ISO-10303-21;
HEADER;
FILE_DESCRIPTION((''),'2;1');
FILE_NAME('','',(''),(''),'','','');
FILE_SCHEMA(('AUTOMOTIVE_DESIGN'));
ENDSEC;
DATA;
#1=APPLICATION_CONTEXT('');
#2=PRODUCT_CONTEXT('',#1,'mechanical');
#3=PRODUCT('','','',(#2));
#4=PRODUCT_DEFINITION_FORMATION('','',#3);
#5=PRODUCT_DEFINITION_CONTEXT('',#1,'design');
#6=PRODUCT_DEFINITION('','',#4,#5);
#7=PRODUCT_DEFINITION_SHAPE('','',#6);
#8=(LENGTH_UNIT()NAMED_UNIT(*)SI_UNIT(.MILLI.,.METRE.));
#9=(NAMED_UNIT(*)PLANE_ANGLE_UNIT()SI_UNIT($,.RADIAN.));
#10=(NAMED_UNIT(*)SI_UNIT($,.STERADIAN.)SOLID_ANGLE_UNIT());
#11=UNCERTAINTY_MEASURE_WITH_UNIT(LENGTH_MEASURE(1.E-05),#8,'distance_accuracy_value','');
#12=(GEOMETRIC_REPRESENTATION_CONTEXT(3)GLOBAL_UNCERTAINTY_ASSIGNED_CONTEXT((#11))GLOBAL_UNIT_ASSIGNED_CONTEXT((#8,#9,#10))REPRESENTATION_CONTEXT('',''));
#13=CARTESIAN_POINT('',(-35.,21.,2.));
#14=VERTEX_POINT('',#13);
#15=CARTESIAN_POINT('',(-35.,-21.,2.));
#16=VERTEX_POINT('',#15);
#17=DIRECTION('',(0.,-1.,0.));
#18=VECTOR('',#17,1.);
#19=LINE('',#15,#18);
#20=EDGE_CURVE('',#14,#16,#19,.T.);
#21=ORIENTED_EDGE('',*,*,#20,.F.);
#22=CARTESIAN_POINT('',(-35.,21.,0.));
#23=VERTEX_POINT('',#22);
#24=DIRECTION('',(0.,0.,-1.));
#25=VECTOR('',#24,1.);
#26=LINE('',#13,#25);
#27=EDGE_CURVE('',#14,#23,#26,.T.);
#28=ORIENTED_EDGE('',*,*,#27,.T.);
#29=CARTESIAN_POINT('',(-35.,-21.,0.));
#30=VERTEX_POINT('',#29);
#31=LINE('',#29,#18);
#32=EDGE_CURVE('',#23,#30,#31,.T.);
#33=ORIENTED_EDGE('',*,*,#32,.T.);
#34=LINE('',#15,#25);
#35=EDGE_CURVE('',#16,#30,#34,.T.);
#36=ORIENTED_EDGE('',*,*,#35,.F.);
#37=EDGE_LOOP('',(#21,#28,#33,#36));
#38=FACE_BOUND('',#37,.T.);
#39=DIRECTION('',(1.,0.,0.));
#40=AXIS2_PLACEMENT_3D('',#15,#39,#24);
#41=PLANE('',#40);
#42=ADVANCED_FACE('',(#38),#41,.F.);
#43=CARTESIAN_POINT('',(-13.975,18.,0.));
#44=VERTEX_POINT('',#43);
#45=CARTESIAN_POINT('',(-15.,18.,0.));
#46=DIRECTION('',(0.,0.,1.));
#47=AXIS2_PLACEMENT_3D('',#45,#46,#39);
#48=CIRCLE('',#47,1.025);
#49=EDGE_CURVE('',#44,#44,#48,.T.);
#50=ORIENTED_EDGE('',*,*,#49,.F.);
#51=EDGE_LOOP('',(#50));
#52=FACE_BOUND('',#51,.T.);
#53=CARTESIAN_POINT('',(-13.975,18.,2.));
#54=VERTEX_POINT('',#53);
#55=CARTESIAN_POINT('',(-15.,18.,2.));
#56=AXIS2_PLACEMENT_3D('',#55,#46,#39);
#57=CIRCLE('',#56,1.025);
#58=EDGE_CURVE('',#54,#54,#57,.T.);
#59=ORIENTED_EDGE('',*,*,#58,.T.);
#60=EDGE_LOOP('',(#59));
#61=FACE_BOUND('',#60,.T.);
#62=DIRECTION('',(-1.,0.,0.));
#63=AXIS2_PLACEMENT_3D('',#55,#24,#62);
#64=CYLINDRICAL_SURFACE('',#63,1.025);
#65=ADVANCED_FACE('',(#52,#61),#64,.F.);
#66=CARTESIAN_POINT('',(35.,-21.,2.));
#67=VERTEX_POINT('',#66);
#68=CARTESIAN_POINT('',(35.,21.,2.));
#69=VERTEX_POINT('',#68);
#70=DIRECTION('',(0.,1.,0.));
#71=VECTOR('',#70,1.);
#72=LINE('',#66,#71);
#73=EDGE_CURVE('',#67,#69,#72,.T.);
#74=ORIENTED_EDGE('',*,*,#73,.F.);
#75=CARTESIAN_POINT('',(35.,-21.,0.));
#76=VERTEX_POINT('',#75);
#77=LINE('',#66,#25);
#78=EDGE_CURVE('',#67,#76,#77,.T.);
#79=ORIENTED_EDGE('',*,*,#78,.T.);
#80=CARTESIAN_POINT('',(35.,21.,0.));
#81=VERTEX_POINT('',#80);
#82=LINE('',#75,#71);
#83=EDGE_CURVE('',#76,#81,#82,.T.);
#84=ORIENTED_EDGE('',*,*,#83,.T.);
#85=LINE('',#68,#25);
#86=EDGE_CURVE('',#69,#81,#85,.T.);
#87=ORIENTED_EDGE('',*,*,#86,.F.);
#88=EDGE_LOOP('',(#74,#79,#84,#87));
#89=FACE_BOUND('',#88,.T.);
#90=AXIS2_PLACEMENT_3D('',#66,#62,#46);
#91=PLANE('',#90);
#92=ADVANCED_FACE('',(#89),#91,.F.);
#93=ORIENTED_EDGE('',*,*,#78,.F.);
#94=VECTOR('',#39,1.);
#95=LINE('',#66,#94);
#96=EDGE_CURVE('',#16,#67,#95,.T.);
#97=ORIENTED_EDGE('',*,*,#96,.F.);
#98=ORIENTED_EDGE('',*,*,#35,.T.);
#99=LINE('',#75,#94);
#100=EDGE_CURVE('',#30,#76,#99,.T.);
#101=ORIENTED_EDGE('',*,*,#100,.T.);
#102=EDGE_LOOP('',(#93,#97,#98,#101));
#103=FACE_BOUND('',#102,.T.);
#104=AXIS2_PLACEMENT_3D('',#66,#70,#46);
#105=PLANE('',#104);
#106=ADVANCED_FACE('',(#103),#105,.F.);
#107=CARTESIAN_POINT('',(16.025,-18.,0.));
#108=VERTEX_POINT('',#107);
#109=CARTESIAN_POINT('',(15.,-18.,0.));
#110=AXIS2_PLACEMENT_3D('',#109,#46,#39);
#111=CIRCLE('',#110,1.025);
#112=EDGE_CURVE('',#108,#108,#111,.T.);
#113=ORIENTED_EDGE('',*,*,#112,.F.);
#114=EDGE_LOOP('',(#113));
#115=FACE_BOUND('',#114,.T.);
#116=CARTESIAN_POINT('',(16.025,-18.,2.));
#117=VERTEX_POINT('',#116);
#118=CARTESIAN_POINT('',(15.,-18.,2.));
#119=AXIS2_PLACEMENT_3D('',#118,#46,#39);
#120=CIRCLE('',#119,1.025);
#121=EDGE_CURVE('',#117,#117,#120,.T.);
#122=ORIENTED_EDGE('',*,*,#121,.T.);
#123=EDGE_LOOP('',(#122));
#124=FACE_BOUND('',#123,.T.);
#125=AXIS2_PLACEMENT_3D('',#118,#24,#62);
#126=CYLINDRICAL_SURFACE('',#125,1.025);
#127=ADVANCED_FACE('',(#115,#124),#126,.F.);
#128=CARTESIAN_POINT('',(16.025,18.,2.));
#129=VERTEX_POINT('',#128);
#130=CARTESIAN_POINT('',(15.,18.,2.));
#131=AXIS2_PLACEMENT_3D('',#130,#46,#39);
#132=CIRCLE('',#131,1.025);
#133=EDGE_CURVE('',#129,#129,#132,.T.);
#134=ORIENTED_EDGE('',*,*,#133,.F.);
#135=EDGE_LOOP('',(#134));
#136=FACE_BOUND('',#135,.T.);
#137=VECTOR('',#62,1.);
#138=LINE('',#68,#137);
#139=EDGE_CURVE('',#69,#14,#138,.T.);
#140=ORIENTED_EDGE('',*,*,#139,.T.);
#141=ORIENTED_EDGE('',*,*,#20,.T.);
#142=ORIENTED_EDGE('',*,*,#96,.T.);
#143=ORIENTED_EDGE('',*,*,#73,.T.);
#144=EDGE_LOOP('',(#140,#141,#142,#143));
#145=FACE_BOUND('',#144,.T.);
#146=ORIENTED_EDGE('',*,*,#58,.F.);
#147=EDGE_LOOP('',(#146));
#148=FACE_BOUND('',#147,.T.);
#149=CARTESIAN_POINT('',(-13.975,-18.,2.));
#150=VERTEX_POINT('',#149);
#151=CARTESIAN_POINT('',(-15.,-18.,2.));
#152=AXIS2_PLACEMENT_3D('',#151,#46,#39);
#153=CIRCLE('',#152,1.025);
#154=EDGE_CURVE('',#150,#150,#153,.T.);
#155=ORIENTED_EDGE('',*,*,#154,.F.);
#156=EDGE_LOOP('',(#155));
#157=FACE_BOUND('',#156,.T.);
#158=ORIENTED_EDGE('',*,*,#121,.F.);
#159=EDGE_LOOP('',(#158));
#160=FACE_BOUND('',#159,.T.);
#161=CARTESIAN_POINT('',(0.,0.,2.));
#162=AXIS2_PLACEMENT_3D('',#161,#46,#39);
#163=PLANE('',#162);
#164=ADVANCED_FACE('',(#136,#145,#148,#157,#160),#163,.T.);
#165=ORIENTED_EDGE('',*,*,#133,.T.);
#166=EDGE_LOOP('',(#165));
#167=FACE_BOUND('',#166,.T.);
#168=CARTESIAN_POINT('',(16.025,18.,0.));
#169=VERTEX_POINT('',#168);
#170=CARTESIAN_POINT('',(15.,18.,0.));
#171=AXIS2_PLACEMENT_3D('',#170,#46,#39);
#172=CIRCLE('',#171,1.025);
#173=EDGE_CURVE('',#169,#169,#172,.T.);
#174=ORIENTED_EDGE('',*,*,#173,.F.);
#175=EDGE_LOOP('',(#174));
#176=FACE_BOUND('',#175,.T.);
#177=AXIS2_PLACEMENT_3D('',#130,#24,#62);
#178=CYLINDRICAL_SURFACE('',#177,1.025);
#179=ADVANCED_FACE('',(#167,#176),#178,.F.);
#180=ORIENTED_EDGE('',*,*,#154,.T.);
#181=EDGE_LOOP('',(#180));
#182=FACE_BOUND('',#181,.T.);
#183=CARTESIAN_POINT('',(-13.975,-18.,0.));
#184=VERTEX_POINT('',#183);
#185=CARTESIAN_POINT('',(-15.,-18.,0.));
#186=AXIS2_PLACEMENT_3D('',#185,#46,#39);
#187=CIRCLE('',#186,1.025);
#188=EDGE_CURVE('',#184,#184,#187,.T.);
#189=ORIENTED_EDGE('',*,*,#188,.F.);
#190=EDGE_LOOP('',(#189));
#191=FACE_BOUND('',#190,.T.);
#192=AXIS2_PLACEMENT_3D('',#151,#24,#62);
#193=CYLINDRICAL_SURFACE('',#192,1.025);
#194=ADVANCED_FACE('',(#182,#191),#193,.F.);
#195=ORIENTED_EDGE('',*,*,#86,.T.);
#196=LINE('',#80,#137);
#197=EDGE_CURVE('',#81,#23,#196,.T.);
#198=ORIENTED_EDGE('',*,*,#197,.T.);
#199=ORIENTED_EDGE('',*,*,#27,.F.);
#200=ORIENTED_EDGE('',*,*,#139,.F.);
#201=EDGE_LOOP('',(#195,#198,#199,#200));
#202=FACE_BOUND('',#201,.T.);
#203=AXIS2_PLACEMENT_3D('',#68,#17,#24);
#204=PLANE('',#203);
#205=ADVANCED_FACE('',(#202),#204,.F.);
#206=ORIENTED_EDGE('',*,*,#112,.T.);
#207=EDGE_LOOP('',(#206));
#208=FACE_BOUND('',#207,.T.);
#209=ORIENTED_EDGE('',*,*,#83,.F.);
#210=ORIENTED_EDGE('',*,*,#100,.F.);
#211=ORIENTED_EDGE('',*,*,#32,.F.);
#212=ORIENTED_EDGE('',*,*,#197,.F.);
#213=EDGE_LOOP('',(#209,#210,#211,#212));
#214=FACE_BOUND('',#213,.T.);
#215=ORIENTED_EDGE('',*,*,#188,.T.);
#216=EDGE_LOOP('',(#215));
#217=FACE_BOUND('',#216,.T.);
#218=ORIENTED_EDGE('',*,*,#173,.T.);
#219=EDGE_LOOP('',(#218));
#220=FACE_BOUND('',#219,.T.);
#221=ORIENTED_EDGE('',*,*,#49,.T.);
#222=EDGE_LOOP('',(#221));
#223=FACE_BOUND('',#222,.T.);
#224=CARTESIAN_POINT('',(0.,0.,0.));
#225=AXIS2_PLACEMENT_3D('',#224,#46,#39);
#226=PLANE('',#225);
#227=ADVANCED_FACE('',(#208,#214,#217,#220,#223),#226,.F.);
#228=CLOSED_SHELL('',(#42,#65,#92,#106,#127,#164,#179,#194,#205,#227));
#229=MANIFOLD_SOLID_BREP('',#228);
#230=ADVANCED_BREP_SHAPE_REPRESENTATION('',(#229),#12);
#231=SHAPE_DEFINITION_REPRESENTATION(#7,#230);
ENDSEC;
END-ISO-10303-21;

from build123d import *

# Parameters (mm, degrees)
SKETCH_1_W      = 70
SKETCH_1_H      = 42
SKETCH_1_R      = 1.025
EXTRUDE_1_DEPTH = 2


with BuildPart() as part:
    # 草图1 → 凸台-拉伸1 (new body)
    with BuildSketch(Plane.XY):
        Rectangle(SKETCH_1_W, SKETCH_1_H)
        with Locations((-15, 18)):
            Circle(SKETCH_1_R, mode=Mode.SUBTRACT)
        with Locations((15, 18)):
            Circle(SKETCH_1_R, mode=Mode.SUBTRACT)
        with Locations((15, -18)):
            Circle(SKETCH_1_R, mode=Mode.SUBTRACT)
        with Locations((-15, -18)):
            Circle(SKETCH_1_R, mode=Mode.SUBTRACT)
    extrude(amount=EXTRUDE_1_DEPTH)


solid = part.part
